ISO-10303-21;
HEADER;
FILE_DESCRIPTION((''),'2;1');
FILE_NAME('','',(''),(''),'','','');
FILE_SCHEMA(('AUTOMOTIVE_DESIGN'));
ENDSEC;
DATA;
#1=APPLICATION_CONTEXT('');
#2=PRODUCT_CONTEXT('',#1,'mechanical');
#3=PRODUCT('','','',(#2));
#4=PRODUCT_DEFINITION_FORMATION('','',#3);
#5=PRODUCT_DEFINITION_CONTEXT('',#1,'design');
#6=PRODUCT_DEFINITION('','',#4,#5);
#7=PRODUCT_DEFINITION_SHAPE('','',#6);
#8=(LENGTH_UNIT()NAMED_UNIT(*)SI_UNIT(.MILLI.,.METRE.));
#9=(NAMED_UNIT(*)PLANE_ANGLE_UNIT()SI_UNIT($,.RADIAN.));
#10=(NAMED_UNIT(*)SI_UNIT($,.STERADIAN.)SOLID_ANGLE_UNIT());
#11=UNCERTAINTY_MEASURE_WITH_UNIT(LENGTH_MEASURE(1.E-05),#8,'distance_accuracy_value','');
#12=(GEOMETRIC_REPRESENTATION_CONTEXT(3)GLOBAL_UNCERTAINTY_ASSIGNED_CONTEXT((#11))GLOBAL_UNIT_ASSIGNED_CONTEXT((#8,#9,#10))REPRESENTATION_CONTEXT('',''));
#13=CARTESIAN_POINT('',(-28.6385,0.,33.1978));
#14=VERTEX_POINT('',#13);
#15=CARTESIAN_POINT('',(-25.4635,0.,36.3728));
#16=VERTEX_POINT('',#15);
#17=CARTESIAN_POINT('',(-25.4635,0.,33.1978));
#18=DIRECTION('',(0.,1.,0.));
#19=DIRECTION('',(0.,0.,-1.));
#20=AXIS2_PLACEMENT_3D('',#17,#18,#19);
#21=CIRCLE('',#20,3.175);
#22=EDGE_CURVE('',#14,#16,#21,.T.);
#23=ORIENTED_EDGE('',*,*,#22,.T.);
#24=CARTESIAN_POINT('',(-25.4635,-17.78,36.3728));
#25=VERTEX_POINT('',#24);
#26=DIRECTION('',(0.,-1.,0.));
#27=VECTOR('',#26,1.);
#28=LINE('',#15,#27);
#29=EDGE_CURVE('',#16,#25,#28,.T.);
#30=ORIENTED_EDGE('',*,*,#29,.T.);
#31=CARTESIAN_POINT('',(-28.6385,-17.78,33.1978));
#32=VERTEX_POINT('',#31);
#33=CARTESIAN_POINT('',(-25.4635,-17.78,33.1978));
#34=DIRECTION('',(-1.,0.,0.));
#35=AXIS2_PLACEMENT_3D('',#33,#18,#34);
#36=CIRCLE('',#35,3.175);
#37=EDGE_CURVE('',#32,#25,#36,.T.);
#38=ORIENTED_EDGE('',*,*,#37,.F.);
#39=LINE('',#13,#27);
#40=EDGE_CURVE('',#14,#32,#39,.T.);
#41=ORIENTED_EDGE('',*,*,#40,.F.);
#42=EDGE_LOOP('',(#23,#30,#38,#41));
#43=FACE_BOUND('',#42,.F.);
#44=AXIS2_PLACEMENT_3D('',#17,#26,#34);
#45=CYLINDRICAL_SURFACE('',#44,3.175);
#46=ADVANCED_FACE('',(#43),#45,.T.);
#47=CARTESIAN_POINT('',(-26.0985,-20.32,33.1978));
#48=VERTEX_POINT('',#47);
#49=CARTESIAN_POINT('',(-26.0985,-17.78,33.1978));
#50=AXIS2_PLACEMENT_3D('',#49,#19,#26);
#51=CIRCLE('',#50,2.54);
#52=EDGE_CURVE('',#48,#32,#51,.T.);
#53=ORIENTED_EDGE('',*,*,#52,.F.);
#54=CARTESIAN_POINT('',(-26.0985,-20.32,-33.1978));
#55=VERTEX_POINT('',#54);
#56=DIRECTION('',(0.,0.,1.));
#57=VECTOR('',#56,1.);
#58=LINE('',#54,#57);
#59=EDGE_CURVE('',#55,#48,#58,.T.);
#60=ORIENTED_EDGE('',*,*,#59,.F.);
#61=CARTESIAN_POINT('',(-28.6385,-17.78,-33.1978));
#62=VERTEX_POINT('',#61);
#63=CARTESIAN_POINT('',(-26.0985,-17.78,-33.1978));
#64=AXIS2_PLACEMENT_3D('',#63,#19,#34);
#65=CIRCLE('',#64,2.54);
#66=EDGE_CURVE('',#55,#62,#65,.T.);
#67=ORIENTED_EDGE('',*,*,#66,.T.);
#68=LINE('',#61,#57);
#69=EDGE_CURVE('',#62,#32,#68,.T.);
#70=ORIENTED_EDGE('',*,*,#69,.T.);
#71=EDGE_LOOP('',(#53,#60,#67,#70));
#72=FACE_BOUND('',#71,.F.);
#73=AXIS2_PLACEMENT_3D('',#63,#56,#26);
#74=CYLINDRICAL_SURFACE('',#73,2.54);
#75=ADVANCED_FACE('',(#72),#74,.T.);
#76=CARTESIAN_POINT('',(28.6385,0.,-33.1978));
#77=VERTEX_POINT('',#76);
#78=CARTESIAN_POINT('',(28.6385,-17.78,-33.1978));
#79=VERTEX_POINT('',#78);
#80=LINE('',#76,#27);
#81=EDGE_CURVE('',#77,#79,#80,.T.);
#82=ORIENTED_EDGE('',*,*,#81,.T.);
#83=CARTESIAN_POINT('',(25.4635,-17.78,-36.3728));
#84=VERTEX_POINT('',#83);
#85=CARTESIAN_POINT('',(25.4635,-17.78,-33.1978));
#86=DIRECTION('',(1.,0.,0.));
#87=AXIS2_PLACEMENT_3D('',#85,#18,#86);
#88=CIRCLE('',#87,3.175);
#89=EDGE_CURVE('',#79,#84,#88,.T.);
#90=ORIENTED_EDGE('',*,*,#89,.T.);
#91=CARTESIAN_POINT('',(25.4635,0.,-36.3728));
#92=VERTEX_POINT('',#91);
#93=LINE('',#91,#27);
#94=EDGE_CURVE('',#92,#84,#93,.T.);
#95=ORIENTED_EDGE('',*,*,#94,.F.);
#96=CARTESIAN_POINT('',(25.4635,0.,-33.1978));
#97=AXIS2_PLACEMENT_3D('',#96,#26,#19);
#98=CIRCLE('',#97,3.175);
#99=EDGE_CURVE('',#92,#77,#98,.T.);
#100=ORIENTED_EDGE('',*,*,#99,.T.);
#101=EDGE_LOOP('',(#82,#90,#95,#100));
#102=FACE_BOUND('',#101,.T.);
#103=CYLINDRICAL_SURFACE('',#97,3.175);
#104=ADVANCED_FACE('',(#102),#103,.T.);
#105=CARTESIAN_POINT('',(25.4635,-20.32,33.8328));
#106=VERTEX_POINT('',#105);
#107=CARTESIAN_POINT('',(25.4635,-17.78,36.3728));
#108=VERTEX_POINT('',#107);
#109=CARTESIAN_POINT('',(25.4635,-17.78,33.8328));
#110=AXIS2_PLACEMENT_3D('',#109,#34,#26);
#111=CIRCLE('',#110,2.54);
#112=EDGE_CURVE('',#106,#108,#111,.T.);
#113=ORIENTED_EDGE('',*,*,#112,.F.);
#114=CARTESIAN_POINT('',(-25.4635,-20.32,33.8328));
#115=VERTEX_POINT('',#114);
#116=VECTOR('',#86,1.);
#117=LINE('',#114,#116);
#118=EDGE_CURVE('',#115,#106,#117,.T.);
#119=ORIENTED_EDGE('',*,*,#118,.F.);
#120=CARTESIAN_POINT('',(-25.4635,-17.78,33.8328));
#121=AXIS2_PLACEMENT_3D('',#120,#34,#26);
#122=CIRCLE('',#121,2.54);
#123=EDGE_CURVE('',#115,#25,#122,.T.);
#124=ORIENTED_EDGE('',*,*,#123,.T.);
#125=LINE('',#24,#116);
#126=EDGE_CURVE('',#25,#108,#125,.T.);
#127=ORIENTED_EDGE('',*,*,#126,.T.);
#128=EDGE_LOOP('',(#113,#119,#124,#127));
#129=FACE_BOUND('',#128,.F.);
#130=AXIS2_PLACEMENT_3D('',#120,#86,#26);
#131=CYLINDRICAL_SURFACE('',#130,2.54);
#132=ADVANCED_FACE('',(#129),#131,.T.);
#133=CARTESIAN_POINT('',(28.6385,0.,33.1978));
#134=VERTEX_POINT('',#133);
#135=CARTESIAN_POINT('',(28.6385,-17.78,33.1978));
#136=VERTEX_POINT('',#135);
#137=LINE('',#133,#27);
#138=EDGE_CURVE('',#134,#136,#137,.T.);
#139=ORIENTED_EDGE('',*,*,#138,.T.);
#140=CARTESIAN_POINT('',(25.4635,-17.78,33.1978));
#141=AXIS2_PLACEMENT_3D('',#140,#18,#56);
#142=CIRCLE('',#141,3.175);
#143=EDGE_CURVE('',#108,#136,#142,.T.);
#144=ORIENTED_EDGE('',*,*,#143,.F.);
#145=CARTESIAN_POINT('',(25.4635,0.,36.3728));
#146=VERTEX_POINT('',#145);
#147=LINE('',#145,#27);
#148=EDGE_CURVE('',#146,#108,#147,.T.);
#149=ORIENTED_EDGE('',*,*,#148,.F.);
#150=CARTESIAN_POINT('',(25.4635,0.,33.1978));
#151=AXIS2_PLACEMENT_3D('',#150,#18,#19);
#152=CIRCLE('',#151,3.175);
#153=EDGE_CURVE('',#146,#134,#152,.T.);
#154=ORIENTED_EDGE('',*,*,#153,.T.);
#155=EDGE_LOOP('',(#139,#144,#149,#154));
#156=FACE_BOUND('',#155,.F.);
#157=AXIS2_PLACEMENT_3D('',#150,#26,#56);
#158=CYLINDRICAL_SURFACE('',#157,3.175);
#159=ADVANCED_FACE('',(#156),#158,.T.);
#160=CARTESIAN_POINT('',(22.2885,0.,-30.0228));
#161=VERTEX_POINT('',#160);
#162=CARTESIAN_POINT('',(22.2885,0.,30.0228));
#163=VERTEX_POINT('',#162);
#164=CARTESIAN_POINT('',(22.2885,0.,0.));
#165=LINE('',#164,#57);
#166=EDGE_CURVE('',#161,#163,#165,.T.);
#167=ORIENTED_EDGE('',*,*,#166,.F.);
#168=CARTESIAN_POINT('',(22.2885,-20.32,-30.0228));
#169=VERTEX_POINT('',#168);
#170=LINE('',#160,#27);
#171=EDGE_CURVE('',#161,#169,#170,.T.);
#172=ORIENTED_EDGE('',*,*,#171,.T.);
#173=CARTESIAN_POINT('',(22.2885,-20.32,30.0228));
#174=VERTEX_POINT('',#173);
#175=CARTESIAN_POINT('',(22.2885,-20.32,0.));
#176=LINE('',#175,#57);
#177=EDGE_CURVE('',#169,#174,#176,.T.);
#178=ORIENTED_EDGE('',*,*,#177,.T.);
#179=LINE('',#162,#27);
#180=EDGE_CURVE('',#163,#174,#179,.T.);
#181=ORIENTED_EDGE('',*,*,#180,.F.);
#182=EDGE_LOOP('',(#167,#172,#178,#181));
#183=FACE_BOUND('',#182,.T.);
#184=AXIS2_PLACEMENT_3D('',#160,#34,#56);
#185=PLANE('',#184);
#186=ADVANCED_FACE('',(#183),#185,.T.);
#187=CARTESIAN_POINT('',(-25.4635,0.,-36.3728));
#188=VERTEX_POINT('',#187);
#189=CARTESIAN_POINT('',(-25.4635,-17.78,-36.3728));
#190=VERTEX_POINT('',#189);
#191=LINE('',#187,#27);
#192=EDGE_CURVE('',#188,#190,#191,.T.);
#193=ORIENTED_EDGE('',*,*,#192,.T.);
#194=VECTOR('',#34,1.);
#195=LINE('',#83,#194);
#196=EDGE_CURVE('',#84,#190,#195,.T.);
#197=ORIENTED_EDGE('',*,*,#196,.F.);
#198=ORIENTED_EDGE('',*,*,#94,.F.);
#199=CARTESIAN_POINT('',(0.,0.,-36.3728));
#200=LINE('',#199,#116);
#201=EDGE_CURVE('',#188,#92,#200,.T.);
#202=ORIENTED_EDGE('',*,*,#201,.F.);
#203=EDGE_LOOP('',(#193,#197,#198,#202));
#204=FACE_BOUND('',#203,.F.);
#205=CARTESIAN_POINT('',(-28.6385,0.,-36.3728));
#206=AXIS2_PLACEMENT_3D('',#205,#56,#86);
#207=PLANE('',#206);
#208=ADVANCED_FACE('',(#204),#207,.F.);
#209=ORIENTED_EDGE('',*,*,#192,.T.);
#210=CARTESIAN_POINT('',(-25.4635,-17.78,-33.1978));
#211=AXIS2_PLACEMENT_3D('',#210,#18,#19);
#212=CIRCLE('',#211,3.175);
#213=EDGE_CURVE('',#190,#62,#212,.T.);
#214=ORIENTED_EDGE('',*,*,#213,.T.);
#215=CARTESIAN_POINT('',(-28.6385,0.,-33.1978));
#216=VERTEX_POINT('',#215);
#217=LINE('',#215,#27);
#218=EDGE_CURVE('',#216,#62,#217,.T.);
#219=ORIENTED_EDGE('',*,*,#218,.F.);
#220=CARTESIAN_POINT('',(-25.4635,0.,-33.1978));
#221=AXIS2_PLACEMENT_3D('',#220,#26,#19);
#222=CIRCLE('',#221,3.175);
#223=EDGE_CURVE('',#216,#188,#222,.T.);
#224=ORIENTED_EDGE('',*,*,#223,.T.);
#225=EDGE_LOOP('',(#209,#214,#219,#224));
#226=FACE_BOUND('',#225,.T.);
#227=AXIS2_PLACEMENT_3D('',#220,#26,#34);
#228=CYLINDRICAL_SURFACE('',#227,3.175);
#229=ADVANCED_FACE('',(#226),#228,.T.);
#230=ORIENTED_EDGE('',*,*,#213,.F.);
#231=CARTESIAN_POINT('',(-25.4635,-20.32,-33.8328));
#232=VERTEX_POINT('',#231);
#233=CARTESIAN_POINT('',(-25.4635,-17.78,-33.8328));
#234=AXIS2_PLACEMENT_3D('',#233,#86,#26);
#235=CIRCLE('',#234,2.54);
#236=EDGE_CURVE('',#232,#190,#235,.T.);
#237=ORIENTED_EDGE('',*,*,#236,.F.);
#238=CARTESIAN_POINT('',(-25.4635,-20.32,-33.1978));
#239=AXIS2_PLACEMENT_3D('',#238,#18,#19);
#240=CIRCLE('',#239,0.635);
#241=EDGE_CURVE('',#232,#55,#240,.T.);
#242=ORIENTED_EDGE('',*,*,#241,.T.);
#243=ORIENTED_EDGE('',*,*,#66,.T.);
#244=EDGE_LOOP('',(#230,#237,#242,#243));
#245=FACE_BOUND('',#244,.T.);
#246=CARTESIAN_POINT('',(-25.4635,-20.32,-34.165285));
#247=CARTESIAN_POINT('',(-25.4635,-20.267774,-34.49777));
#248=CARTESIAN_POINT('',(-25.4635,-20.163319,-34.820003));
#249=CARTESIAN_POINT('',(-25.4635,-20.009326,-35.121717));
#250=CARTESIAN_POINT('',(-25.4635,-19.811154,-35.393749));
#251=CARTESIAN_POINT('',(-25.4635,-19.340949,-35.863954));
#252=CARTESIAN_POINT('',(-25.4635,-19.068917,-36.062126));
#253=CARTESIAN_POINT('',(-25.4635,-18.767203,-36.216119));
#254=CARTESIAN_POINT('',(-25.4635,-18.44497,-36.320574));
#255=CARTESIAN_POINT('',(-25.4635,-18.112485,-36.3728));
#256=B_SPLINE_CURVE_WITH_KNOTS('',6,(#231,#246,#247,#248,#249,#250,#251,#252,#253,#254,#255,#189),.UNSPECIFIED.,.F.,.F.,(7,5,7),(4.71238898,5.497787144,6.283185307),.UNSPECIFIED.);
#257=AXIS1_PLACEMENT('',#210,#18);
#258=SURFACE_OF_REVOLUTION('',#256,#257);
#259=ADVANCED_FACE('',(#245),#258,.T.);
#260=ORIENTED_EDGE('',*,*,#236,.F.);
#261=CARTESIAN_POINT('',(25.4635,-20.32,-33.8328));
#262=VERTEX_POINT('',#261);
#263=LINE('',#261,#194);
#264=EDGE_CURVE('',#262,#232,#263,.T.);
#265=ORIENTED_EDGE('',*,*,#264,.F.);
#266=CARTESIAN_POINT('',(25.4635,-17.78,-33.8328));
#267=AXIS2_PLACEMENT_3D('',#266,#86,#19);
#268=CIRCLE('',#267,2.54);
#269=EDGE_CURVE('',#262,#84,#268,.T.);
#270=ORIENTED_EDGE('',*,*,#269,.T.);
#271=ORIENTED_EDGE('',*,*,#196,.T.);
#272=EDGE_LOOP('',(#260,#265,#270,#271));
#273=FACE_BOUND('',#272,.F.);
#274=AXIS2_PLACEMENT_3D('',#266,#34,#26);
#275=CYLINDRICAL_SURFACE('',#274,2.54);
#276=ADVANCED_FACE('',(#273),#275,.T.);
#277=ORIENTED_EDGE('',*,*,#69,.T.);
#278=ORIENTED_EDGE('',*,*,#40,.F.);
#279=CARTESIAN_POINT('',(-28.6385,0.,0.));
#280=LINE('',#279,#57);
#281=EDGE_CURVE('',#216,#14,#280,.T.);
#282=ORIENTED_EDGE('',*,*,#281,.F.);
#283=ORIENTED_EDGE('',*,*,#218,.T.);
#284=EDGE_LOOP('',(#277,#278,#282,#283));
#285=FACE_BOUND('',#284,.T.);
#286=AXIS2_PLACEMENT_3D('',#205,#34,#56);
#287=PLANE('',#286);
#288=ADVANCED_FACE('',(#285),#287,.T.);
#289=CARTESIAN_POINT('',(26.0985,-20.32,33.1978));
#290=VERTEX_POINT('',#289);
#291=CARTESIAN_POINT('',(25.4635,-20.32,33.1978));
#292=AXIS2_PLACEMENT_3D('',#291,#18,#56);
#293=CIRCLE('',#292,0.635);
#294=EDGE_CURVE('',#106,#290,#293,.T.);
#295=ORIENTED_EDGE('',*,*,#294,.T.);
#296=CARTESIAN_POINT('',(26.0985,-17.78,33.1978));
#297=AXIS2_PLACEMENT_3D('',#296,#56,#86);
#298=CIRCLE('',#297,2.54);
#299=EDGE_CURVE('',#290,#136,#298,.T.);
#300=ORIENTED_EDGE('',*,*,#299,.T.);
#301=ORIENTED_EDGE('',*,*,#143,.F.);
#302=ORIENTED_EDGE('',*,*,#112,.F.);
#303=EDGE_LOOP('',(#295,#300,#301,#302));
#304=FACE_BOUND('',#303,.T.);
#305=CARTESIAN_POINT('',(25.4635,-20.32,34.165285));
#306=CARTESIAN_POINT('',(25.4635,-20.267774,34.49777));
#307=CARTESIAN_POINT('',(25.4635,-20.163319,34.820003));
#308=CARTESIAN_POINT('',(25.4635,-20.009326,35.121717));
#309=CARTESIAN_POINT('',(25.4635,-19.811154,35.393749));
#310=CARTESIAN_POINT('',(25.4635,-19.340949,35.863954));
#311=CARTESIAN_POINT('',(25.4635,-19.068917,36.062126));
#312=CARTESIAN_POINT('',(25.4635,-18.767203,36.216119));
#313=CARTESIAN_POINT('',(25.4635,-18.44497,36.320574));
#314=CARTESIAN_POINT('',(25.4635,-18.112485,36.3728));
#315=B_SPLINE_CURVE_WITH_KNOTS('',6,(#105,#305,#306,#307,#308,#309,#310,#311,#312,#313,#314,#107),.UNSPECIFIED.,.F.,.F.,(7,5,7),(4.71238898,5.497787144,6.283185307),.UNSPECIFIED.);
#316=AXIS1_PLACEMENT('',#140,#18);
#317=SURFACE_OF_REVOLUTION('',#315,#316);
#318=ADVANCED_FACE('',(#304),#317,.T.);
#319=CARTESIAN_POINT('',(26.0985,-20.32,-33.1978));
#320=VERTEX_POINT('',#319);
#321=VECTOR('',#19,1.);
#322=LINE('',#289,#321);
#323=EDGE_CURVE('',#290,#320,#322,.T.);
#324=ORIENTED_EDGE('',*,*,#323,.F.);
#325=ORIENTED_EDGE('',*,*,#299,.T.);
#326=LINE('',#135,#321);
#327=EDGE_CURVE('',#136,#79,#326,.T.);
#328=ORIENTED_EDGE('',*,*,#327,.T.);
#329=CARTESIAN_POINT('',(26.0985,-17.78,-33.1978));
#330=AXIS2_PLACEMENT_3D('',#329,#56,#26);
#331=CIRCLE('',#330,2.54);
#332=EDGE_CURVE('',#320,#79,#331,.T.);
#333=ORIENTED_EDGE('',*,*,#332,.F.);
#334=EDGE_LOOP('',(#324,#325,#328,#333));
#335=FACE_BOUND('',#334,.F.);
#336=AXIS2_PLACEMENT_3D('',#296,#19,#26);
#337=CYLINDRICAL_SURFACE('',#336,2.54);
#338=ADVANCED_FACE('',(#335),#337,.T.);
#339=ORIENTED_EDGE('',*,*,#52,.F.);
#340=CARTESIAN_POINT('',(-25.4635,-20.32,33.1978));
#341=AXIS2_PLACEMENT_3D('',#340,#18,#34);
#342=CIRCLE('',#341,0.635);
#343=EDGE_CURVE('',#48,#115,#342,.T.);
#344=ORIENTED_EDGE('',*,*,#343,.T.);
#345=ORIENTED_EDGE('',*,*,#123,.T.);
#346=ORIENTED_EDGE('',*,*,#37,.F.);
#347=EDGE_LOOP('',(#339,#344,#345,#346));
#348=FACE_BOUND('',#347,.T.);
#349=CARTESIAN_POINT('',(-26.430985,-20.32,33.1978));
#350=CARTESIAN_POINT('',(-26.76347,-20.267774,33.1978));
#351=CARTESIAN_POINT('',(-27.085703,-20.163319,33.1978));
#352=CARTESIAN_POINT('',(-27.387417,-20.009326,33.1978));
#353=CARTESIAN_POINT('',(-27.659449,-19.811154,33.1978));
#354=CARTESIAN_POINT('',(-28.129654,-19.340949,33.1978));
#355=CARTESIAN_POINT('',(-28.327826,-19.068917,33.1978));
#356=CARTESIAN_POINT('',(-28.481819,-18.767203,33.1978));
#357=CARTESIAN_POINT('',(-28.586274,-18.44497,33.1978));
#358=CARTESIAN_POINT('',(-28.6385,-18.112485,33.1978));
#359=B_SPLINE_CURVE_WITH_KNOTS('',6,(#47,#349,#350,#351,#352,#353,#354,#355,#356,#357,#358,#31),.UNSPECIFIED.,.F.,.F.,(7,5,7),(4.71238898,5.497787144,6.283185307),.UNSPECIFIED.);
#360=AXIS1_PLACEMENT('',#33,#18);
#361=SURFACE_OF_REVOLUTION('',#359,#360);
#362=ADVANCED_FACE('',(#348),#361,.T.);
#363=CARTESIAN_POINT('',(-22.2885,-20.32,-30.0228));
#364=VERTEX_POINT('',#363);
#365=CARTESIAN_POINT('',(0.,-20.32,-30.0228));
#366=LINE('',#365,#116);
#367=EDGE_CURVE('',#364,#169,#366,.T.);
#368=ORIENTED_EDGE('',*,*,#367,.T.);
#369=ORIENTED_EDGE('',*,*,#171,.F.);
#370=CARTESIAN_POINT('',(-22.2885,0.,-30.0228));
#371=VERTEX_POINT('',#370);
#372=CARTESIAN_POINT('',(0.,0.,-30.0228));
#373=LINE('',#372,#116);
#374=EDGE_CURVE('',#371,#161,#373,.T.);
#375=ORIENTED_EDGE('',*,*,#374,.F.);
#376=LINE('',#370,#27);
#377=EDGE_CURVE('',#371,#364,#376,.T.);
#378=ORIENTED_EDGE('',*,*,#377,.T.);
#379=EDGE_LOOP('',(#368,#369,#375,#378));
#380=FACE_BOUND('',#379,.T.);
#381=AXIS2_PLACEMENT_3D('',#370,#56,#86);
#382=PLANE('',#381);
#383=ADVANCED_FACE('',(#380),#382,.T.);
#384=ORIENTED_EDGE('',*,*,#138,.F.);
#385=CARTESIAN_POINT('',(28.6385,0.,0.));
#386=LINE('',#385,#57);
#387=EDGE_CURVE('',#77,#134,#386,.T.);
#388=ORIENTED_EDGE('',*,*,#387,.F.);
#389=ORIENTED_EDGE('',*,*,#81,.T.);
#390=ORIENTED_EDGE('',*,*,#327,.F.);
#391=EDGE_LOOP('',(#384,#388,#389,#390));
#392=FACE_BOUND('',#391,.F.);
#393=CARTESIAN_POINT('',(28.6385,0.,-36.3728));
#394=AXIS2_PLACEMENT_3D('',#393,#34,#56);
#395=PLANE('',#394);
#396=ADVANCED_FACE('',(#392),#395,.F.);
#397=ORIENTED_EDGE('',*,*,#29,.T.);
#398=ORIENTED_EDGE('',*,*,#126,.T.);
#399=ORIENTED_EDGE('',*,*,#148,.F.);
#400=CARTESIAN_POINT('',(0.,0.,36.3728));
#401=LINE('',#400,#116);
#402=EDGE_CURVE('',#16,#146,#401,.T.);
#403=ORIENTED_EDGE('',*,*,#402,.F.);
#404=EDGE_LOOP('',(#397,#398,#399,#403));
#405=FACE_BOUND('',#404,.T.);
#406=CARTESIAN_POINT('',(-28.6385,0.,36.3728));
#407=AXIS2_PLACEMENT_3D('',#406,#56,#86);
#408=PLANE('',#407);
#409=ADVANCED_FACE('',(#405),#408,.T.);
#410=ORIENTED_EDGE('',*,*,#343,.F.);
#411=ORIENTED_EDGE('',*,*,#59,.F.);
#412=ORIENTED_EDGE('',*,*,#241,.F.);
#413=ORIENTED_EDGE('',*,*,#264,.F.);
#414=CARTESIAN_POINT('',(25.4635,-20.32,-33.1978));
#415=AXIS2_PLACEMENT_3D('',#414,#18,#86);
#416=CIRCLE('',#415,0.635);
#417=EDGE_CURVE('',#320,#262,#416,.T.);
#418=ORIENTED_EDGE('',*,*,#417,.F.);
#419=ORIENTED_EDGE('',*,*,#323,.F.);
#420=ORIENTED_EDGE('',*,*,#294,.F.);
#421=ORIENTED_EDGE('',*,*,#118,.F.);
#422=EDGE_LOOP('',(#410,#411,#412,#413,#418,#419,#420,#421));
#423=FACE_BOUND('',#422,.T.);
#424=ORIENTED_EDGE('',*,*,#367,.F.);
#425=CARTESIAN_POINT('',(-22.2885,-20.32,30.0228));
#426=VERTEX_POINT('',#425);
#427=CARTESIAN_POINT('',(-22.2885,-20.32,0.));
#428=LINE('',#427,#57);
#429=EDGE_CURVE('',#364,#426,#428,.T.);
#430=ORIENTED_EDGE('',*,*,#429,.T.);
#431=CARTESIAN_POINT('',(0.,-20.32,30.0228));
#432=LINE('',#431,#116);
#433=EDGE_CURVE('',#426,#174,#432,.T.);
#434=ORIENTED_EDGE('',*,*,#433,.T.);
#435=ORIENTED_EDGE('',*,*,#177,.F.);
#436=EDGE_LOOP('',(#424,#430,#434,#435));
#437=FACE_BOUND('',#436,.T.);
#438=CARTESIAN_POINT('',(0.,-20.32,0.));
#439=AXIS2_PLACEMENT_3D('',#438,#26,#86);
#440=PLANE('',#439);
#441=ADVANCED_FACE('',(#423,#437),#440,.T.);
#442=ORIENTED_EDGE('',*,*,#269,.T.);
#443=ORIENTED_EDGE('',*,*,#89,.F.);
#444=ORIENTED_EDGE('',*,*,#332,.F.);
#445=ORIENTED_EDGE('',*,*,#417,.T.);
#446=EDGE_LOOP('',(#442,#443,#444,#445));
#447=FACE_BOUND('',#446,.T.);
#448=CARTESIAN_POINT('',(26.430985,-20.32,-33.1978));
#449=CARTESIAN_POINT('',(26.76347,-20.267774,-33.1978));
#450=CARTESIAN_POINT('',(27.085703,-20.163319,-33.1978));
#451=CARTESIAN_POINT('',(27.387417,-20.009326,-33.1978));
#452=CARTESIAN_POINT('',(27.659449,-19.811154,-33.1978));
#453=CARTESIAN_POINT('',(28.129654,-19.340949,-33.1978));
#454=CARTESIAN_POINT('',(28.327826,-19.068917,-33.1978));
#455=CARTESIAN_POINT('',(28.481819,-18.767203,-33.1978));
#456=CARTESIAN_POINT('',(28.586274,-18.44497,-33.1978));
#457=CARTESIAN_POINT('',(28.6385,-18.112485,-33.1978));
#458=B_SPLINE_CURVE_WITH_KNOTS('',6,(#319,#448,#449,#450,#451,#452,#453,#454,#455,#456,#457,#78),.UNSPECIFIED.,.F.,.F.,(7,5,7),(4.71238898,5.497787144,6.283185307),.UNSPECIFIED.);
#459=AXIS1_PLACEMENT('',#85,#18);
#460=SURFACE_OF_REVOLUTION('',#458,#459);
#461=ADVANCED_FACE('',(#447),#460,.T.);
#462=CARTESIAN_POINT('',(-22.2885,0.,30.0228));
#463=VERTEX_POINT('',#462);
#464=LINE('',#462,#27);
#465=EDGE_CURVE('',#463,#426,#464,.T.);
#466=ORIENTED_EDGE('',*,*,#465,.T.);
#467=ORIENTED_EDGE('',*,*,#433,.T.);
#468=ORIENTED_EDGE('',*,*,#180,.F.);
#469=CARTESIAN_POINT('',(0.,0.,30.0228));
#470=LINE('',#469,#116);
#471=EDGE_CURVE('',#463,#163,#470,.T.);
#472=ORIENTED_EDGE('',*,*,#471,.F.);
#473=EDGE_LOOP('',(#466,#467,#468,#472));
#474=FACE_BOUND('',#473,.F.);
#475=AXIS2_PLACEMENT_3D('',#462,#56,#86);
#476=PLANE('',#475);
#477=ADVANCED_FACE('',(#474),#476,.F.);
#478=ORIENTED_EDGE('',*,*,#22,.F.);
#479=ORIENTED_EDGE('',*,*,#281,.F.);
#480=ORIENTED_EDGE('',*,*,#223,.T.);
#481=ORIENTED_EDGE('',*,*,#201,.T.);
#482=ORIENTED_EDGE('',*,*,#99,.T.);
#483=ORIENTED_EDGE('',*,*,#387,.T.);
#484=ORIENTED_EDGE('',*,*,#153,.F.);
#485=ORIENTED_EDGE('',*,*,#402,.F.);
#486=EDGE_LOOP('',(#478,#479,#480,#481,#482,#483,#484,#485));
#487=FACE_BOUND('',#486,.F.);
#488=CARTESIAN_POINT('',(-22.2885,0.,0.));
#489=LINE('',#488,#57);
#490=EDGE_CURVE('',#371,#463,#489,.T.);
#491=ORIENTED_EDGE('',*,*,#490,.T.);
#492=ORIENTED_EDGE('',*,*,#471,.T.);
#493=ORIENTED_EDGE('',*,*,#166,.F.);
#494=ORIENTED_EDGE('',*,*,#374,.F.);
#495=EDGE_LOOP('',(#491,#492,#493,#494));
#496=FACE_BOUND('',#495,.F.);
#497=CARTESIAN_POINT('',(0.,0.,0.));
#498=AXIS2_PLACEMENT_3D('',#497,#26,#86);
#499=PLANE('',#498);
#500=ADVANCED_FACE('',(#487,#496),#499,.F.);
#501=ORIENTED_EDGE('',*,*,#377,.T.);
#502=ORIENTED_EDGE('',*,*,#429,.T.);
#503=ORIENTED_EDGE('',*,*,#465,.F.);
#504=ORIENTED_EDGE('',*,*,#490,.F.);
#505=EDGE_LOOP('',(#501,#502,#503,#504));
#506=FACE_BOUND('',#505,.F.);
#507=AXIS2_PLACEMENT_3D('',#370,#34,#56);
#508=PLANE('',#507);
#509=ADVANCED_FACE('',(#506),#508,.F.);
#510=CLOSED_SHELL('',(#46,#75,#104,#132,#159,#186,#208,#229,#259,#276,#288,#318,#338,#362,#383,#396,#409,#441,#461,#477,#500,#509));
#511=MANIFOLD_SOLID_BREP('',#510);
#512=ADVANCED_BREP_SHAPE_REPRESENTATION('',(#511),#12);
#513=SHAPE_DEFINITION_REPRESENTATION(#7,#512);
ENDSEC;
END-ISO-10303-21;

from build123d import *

# Parameters (mm, degrees)
F0_W     = 57.277
F0_H     = 72.7456
F0_W_2   = 44.577
F0_H_2   = 60.0456
F1_DEPTH = 20.32
F2_R     = 3.175
F3_R     = 2.54


with BuildPart() as f1:
    # F0 (on Front) → F1 (new body)
    with BuildSketch(Plane.XZ):
        Rectangle(F0_W, F0_H)
        Rectangle(F0_W_2, F0_H_2, mode=Mode.SUBTRACT)
    extrude(amount=F1_DEPTH)

    # F2
    f2_edges = [f1.edges().sort_by_distance(p)[0] for p in [
        (28.6385, -10.16, 36.3728),
        (28.6385, -10.16, -36.3728),
        (-28.6385, -10.16, -36.3728),
        (-28.6385, -10.16, 36.3728),
    ]]
    fillet(f2_edges, radius=F2_R)

    # F3
    f3_edges = [f1.edges().sort_by_distance(p)[0] for p in [
        (0, -20.32, 36.3728),
    ]]
    fillet(f3_edges, radius=F3_R)


solid = f1.part
